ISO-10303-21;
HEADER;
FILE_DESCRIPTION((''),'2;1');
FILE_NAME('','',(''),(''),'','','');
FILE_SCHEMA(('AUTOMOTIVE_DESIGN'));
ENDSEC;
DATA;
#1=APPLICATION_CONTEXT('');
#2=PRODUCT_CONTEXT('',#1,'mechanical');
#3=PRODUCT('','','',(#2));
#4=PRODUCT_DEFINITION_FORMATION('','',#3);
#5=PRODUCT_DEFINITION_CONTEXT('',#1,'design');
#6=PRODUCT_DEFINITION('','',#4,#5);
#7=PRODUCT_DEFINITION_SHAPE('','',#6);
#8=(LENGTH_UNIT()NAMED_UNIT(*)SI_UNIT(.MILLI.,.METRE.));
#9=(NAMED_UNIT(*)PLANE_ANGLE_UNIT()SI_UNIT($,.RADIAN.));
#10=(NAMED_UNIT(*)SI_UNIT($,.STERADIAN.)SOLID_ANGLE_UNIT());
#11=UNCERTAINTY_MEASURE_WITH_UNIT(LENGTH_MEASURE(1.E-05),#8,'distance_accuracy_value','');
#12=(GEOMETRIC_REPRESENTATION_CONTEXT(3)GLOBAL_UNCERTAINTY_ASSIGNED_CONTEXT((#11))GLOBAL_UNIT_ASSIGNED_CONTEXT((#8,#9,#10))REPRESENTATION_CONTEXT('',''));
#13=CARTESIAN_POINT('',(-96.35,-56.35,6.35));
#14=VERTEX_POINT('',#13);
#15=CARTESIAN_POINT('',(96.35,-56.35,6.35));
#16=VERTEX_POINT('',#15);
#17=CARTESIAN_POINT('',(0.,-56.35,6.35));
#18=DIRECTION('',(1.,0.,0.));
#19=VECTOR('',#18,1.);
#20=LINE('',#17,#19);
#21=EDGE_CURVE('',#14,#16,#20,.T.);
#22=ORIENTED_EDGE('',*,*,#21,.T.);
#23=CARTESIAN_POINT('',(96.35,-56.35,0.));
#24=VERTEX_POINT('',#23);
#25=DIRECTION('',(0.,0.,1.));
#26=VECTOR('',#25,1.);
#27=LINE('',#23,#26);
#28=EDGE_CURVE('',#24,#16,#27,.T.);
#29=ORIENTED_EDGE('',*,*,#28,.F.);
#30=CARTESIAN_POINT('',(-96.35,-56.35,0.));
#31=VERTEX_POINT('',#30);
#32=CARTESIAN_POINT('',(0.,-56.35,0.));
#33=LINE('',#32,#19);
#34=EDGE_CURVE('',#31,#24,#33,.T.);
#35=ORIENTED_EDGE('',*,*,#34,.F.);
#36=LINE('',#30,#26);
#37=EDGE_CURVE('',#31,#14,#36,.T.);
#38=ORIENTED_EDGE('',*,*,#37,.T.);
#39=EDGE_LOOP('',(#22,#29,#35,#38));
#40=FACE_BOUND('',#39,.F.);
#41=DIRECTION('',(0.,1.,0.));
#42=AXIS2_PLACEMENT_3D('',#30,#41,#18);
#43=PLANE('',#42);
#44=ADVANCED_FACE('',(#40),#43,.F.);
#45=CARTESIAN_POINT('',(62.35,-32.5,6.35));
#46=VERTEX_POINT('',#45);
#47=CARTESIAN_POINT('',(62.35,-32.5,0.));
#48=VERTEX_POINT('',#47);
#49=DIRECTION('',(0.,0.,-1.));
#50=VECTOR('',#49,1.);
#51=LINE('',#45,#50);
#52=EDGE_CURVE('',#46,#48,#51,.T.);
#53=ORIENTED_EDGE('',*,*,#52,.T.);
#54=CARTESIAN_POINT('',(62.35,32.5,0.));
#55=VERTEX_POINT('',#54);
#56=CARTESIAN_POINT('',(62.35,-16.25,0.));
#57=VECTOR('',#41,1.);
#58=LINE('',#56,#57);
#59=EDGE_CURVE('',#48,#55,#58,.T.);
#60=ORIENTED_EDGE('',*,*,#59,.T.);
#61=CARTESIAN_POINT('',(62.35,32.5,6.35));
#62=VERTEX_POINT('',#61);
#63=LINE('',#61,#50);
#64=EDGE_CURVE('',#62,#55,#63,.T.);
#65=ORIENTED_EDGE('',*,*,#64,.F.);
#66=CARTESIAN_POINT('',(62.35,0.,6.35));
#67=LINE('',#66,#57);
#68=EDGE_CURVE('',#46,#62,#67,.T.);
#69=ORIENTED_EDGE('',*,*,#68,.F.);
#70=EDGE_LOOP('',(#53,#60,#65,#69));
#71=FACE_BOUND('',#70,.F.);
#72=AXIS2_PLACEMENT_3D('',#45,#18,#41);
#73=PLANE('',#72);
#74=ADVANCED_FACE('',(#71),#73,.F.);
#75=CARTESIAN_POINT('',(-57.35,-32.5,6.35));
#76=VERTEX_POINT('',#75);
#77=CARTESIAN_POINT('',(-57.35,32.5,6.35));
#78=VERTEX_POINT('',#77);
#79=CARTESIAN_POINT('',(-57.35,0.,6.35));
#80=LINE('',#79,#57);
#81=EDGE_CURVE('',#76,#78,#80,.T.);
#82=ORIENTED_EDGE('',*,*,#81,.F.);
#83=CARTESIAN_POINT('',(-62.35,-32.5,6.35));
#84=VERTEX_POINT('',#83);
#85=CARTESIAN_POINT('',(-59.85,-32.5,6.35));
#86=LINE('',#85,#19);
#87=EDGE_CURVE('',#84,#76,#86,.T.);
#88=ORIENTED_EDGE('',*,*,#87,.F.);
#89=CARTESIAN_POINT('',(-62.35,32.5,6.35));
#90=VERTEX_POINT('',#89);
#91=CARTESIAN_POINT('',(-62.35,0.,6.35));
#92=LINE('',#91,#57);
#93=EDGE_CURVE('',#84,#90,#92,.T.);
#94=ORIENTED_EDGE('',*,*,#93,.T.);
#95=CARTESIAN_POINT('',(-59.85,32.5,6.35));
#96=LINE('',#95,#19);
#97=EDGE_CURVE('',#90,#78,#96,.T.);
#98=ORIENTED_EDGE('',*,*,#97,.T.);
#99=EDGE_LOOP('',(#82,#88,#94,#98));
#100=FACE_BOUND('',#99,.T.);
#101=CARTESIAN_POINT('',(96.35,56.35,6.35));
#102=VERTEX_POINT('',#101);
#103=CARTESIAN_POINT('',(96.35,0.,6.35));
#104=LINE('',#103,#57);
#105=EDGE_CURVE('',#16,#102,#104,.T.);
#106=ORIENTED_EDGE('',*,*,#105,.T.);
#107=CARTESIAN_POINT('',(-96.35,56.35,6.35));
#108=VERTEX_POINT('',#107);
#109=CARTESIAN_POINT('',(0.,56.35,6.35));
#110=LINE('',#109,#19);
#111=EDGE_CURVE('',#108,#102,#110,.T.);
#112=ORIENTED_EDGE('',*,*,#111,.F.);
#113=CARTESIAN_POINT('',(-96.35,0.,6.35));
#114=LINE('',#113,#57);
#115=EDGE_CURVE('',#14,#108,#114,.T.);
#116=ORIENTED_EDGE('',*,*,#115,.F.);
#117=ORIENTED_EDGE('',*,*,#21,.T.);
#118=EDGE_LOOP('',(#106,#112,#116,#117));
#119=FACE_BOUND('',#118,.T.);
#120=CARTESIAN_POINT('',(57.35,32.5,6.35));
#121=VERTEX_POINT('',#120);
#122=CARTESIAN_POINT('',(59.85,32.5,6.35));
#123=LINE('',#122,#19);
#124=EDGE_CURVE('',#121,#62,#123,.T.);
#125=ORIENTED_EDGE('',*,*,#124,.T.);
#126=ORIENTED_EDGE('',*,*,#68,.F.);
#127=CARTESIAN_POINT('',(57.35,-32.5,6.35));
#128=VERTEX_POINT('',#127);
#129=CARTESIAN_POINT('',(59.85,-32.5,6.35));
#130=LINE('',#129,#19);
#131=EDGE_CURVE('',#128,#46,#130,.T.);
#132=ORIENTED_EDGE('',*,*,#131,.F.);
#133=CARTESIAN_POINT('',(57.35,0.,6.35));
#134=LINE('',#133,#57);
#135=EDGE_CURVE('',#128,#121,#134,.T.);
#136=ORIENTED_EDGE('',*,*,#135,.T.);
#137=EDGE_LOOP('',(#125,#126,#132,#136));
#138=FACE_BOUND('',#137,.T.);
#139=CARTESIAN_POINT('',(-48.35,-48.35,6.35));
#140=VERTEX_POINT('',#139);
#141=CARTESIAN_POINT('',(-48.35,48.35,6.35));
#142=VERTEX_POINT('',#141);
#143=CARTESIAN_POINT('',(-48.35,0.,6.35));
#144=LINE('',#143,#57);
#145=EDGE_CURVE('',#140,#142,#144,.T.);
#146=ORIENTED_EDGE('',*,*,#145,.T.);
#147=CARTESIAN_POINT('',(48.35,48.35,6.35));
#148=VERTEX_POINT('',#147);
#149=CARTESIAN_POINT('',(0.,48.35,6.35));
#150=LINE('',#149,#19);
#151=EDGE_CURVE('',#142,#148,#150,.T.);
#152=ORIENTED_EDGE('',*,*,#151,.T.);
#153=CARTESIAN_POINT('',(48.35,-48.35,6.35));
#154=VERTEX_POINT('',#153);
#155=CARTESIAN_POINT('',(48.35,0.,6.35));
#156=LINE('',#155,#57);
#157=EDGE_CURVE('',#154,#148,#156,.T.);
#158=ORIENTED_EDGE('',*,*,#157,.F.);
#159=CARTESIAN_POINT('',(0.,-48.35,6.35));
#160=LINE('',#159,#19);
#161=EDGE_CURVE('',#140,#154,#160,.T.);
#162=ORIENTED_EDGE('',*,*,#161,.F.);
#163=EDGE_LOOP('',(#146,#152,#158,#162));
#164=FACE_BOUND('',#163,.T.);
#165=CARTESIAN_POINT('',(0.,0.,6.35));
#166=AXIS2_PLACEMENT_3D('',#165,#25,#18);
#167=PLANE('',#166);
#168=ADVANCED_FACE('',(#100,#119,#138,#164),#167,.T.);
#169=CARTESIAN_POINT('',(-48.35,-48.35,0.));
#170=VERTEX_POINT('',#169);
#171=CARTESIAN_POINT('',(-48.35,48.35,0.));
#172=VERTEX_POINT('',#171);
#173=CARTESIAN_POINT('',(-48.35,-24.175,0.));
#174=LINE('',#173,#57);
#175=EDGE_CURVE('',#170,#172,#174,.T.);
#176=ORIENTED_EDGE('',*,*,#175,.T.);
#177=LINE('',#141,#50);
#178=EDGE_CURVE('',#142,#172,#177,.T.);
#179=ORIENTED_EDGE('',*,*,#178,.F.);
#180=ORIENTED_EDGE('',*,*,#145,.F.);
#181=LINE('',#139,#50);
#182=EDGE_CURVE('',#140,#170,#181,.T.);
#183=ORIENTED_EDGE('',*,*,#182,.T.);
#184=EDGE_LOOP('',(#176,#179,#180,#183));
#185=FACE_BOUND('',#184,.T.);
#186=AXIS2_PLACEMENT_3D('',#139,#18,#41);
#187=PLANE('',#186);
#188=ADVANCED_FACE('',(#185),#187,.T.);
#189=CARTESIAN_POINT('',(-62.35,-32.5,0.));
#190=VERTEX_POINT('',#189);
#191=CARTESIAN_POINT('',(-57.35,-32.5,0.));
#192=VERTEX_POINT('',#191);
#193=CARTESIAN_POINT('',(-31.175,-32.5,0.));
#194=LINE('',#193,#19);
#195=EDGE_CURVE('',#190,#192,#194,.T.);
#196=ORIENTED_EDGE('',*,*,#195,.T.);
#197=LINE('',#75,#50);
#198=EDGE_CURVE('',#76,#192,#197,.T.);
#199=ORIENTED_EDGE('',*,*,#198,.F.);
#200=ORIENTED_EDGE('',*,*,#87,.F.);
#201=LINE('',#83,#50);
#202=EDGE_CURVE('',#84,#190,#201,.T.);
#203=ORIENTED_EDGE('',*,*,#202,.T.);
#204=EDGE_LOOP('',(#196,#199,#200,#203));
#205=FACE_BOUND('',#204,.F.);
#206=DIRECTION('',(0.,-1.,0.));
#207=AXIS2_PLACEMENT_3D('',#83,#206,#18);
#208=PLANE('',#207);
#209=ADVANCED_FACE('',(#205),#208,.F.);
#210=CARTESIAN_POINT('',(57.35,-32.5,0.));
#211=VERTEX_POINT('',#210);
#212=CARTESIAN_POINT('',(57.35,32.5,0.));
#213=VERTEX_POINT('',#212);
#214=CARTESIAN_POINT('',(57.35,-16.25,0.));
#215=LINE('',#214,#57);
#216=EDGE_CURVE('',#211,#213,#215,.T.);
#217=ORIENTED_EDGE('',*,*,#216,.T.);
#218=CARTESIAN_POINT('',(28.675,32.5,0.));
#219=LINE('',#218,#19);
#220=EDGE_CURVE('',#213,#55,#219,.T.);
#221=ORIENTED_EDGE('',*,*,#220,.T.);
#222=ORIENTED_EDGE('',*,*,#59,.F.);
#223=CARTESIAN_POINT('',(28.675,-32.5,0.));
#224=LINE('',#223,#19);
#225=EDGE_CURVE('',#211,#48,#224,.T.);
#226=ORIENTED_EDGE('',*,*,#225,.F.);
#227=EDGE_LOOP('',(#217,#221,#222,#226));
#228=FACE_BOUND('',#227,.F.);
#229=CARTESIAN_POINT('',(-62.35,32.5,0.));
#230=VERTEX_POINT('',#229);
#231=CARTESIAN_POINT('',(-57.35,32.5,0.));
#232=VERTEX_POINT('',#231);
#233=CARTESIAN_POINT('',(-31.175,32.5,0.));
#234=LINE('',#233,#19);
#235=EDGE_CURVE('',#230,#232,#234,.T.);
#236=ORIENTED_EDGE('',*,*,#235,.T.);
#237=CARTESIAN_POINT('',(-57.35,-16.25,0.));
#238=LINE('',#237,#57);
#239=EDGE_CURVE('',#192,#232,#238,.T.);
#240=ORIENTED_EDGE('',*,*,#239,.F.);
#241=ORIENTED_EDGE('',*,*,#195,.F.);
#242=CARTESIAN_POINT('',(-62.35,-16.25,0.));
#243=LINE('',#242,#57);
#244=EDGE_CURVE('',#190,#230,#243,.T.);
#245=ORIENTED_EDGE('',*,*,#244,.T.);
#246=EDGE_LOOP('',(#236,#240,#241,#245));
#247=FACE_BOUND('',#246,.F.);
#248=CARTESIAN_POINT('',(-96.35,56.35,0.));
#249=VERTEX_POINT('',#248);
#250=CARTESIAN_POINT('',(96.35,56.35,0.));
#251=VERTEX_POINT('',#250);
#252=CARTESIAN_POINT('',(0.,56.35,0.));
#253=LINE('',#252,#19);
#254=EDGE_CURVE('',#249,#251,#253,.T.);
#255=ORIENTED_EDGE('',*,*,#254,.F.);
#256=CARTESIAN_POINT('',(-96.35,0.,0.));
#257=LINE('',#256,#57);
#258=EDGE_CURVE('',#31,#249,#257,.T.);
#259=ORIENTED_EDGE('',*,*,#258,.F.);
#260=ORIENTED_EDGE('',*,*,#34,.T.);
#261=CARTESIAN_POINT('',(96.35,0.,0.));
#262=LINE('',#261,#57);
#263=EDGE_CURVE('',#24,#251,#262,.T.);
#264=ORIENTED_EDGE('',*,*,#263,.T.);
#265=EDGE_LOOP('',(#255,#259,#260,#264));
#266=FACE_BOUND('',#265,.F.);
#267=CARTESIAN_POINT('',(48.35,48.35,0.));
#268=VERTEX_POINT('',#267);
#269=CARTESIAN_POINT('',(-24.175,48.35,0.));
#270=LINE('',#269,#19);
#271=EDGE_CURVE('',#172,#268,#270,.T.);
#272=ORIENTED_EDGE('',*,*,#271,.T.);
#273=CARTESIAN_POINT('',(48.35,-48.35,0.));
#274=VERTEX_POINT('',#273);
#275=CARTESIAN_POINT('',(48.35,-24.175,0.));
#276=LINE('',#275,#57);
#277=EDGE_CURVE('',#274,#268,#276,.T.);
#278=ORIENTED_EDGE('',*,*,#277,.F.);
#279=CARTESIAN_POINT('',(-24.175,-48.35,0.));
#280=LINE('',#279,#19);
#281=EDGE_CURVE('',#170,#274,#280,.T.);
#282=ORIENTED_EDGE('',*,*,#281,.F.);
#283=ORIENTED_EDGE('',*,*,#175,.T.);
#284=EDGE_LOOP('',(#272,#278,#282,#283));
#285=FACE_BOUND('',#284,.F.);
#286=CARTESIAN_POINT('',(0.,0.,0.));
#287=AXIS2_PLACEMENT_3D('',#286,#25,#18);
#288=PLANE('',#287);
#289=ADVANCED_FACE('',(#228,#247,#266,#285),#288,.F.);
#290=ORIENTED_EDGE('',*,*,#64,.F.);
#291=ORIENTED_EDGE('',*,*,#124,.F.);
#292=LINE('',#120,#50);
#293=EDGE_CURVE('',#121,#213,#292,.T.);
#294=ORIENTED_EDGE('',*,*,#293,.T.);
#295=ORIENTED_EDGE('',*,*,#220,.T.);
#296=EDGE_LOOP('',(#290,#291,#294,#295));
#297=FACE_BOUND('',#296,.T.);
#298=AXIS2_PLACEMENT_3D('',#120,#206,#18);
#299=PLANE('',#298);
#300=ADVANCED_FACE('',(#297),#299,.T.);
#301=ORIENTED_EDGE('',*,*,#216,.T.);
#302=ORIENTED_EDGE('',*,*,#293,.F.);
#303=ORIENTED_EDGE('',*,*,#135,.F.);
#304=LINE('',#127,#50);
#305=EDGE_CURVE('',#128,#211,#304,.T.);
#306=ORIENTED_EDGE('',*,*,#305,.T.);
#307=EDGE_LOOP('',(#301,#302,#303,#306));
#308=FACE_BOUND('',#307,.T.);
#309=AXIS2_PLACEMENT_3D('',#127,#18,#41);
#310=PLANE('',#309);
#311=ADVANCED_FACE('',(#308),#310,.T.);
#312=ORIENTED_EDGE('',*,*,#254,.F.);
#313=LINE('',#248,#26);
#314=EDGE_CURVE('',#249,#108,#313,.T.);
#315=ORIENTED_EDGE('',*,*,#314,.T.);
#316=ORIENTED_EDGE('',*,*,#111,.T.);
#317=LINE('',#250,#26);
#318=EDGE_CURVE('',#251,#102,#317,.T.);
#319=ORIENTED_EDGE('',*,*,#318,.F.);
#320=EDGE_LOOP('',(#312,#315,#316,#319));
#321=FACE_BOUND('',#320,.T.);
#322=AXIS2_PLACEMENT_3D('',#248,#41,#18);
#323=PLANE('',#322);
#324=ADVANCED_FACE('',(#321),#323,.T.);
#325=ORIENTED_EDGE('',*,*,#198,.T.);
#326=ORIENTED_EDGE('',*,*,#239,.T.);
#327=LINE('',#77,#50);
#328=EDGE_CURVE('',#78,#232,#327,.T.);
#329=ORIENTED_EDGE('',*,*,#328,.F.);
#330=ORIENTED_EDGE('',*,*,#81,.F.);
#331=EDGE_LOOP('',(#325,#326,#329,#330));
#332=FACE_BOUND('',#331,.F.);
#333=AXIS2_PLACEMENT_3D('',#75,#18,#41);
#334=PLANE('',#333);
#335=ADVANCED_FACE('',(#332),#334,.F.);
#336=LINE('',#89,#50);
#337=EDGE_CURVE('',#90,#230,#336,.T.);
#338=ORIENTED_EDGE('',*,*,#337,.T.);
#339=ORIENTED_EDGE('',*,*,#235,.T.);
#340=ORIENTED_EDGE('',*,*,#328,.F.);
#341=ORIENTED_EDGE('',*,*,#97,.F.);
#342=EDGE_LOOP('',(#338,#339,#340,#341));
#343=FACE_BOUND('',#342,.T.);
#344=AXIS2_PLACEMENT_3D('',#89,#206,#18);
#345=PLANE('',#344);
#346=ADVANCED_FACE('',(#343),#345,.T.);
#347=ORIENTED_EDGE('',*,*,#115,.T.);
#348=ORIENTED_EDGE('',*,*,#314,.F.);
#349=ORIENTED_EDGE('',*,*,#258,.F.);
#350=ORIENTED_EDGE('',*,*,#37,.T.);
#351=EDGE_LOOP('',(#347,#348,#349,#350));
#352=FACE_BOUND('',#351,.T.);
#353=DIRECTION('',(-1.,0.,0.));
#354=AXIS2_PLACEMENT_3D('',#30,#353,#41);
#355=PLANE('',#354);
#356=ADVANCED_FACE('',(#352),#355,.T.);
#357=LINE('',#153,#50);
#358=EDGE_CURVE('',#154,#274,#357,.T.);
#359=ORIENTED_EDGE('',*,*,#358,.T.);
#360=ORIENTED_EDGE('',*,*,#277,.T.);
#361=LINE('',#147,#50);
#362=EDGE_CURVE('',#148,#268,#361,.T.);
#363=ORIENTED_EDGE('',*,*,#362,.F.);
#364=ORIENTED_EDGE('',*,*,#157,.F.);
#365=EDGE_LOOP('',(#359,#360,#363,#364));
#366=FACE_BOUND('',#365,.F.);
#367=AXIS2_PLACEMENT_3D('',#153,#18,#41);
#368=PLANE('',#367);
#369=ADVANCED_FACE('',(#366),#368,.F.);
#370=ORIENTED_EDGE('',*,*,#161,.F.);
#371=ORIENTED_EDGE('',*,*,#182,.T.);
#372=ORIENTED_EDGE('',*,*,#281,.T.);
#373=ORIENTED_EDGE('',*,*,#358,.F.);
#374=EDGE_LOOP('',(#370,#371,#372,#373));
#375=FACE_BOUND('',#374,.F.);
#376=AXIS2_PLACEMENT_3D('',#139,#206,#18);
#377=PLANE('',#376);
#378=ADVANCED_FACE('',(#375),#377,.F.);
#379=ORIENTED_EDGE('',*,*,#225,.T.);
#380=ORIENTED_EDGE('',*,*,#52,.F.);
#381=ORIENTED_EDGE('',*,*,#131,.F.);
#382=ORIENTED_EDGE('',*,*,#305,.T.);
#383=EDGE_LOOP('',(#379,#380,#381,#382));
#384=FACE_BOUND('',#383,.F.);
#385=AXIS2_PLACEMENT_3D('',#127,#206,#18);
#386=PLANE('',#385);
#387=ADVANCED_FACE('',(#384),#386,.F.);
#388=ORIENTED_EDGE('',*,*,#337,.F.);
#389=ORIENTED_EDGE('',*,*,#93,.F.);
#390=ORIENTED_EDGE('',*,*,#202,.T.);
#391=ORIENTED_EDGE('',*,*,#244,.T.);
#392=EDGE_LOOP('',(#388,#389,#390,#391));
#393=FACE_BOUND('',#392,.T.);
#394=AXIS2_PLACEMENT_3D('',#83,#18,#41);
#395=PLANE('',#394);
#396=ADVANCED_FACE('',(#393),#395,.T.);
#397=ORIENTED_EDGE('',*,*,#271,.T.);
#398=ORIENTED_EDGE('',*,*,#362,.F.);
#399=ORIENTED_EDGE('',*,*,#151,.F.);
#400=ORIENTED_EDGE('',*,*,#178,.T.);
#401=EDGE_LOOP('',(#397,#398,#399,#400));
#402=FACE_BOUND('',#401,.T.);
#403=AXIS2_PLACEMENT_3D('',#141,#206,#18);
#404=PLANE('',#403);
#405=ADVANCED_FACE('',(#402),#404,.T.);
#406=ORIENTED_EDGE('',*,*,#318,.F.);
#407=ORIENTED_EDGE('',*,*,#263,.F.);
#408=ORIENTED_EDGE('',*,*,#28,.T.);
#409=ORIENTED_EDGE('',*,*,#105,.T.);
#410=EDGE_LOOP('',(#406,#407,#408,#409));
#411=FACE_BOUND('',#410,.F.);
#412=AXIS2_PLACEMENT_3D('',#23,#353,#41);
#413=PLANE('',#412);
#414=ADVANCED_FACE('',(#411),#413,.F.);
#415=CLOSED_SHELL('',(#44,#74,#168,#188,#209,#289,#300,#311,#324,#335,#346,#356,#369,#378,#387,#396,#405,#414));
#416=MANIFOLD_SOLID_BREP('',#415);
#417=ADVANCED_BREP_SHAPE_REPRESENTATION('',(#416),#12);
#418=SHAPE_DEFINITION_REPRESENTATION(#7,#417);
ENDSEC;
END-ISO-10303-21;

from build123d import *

# Parameters (mm, degrees)
F0_W     = 192.7
F0_H     = 112.7
F1_DEPTH = 6.35
F2_W     = 96.7
F2_H     = 96.7
F2_W_2   = 5
F2_H_2   = 65
F3_DEPTH = 6.351


with BuildPart() as f1:
    # F0 (on Top) → F1 (new body)
    with BuildSketch(Plane.XY):
        Rectangle(F0_W, F0_H)
    extrude(amount=F1_DEPTH)

    # F2 (on face) → F3 (cut, through all)
    with BuildSketch(Plane.XY.offset(6.35)):
        Rectangle(F2_W, F2_H)
        with Locations((-59.85, 0)):
            Rectangle(F2_W_2, F2_H_2)
        with Locations((59.85, 0)):
            Rectangle(F2_W_2, F2_H_2)
    extrude(amount=-F3_DEPTH, mode=Mode.SUBTRACT)


solid = f1.part
